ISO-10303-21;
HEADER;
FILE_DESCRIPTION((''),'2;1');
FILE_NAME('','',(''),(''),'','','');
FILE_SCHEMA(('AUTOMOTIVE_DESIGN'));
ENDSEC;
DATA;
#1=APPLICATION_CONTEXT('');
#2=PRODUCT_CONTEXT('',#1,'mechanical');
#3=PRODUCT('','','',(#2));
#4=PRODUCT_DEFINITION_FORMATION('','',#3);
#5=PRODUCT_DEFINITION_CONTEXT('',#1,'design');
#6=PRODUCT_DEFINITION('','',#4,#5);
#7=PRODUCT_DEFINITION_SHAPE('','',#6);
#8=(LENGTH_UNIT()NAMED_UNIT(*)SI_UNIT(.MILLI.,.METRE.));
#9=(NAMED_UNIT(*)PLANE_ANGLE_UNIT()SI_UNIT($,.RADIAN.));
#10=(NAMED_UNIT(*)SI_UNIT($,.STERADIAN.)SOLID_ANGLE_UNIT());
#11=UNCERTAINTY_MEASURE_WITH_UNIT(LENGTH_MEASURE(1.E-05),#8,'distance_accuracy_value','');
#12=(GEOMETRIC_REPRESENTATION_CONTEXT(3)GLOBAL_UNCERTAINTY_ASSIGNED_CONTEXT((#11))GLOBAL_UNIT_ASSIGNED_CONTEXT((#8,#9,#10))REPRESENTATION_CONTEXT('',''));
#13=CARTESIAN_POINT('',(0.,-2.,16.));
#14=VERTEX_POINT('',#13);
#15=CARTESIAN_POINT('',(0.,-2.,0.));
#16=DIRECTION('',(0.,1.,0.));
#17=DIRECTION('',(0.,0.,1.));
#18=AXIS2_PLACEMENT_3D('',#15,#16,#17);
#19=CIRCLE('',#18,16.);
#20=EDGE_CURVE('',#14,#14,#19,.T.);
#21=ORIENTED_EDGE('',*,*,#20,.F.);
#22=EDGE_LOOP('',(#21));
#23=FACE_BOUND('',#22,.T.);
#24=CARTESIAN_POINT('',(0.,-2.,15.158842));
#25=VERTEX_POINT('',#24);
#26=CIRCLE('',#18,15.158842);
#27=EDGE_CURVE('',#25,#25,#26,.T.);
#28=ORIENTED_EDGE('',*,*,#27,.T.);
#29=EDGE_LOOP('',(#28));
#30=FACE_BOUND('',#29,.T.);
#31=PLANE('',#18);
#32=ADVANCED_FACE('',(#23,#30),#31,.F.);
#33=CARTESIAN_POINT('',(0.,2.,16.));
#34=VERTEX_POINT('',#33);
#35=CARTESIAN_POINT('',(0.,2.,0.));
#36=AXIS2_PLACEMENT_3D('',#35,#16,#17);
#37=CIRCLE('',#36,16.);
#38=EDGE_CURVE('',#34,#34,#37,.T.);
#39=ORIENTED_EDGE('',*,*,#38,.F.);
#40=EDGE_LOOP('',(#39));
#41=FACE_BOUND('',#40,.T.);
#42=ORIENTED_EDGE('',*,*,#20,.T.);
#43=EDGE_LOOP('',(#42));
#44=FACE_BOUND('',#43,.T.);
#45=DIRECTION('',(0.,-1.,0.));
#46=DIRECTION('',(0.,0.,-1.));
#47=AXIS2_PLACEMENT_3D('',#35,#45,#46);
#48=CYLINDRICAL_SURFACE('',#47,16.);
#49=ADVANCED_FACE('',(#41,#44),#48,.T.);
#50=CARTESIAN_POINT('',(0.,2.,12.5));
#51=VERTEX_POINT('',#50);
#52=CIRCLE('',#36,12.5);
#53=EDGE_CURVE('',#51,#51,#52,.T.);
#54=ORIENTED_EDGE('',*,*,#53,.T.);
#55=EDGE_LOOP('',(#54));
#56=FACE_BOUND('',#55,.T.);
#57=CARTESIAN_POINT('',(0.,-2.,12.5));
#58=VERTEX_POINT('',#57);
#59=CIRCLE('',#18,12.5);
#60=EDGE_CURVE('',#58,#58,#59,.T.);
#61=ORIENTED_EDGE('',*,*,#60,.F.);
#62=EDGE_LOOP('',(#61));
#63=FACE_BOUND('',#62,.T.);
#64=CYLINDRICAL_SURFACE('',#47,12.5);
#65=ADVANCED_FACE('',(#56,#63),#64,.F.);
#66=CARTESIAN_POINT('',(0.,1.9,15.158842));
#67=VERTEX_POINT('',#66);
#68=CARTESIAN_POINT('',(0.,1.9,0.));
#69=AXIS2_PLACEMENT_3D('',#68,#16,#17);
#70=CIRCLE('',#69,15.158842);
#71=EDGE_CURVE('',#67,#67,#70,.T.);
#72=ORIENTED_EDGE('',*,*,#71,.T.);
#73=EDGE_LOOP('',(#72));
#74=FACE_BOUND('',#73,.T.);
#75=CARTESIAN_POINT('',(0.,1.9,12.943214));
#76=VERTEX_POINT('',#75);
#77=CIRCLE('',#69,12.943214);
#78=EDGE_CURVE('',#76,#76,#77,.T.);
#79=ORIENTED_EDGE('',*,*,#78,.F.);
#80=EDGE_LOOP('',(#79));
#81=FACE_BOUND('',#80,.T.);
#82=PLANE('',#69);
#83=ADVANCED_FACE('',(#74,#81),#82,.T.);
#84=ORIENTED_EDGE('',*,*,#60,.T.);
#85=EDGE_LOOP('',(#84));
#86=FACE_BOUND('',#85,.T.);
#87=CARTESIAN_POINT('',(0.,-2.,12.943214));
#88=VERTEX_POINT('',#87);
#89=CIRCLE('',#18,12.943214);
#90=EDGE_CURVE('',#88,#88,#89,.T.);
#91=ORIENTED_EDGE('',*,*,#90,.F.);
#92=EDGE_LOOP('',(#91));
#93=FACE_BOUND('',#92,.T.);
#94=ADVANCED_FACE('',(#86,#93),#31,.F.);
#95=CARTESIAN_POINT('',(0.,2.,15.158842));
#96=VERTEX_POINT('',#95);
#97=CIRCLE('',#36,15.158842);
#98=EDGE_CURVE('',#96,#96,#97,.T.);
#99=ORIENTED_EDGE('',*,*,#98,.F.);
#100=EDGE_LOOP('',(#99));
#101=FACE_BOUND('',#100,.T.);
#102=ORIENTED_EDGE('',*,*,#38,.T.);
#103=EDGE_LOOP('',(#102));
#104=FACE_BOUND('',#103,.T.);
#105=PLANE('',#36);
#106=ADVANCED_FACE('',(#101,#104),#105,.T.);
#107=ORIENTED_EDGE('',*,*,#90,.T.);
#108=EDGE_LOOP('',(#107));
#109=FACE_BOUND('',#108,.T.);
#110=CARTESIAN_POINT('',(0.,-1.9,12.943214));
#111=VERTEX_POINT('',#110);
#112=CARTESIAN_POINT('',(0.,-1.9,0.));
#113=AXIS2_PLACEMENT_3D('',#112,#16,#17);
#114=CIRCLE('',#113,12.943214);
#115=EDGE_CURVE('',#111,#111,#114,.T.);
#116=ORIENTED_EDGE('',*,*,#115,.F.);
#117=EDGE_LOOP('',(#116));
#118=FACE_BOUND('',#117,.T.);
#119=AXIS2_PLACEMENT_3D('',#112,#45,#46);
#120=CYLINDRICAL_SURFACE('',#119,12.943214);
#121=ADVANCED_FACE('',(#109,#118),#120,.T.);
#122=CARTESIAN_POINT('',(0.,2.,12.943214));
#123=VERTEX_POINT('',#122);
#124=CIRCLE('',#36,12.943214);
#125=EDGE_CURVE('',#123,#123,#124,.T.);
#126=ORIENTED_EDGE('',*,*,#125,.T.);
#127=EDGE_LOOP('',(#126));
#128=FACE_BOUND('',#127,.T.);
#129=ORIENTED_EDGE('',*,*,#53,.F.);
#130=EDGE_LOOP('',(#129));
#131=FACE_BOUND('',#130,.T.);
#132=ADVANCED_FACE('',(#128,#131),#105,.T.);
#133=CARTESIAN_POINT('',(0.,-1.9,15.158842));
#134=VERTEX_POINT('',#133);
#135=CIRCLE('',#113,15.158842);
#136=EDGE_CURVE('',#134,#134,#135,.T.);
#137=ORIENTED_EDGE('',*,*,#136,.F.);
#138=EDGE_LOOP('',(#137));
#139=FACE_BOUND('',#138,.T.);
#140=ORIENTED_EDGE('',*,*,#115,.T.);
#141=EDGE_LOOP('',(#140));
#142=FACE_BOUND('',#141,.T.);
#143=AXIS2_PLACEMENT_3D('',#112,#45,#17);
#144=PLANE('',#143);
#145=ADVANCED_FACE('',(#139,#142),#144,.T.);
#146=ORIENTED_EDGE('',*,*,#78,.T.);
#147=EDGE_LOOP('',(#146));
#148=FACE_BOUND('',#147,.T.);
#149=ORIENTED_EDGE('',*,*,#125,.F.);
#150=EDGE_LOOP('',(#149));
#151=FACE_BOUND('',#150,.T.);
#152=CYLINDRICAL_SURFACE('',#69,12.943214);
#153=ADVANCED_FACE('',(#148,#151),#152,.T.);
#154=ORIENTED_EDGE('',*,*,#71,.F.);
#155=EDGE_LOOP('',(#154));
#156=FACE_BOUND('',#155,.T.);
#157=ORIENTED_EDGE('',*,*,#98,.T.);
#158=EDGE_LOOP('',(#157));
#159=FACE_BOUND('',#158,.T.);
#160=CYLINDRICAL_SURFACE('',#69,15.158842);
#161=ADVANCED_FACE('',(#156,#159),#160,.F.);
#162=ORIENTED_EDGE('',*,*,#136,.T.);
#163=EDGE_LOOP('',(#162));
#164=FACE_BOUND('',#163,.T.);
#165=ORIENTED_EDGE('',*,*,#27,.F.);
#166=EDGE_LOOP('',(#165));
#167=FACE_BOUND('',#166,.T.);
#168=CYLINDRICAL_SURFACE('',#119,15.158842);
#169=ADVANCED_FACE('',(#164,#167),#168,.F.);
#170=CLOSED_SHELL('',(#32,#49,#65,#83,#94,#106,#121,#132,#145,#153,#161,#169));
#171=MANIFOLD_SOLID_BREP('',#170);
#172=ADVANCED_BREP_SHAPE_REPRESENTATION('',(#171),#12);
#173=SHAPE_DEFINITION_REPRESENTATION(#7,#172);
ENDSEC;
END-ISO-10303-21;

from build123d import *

# Parameters (mm, degrees)
SKETCH_1_R          = 16
SKETCH_1_R_2        = 12.5
EXTRUDE_1_DEPTH     = 2
SKETCH_2_R          = 15.15884167
SKETCH_2_R_2        = 12.943213886
CUT_EXTRUDE_1_DEPTH = 0.1


with BuildPart() as part:
    # 草图1 → 凸台-拉伸1 (new, symmetric)
    with BuildSketch(Plane(origin=(0, 0, 0), x_dir=(1, 0, 0), z_dir=(0, 1, 0))):
        with Locations(Location((0, 0, 0), (0, 0, 270))):
            Circle(SKETCH_1_R)
        with Locations(Location((0, 0, 0), (0, 0, 270))):
            Circle(SKETCH_1_R_2, mode=Mode.SUBTRACT)
    extrude(amount=EXTRUDE_1_DEPTH, both=True)

    # 草图2 → 切除-拉伸1 (cut)
    with BuildSketch(Plane(origin=(0, 2, 0), x_dir=(1, 0, 0), z_dir=(0, 1, 0))):
        with Locations(Location((0, 0, 0), (0, 0, 270))):
            Circle(SKETCH_2_R)
        with Locations(Location((0, 0, 0), (0, 0, 270))):
            Circle(SKETCH_2_R_2, mode=Mode.SUBTRACT)
    cut_extrude_1 = extrude(amount=-CUT_EXTRUDE_1_DEPTH, mode=Mode.SUBTRACT)

    # 镜向1: 切除-拉伸1 across plane
    add(cut_extrude_1.mirror(Plane.ZX), mode=Mode.SUBTRACT)


solid = part.part
